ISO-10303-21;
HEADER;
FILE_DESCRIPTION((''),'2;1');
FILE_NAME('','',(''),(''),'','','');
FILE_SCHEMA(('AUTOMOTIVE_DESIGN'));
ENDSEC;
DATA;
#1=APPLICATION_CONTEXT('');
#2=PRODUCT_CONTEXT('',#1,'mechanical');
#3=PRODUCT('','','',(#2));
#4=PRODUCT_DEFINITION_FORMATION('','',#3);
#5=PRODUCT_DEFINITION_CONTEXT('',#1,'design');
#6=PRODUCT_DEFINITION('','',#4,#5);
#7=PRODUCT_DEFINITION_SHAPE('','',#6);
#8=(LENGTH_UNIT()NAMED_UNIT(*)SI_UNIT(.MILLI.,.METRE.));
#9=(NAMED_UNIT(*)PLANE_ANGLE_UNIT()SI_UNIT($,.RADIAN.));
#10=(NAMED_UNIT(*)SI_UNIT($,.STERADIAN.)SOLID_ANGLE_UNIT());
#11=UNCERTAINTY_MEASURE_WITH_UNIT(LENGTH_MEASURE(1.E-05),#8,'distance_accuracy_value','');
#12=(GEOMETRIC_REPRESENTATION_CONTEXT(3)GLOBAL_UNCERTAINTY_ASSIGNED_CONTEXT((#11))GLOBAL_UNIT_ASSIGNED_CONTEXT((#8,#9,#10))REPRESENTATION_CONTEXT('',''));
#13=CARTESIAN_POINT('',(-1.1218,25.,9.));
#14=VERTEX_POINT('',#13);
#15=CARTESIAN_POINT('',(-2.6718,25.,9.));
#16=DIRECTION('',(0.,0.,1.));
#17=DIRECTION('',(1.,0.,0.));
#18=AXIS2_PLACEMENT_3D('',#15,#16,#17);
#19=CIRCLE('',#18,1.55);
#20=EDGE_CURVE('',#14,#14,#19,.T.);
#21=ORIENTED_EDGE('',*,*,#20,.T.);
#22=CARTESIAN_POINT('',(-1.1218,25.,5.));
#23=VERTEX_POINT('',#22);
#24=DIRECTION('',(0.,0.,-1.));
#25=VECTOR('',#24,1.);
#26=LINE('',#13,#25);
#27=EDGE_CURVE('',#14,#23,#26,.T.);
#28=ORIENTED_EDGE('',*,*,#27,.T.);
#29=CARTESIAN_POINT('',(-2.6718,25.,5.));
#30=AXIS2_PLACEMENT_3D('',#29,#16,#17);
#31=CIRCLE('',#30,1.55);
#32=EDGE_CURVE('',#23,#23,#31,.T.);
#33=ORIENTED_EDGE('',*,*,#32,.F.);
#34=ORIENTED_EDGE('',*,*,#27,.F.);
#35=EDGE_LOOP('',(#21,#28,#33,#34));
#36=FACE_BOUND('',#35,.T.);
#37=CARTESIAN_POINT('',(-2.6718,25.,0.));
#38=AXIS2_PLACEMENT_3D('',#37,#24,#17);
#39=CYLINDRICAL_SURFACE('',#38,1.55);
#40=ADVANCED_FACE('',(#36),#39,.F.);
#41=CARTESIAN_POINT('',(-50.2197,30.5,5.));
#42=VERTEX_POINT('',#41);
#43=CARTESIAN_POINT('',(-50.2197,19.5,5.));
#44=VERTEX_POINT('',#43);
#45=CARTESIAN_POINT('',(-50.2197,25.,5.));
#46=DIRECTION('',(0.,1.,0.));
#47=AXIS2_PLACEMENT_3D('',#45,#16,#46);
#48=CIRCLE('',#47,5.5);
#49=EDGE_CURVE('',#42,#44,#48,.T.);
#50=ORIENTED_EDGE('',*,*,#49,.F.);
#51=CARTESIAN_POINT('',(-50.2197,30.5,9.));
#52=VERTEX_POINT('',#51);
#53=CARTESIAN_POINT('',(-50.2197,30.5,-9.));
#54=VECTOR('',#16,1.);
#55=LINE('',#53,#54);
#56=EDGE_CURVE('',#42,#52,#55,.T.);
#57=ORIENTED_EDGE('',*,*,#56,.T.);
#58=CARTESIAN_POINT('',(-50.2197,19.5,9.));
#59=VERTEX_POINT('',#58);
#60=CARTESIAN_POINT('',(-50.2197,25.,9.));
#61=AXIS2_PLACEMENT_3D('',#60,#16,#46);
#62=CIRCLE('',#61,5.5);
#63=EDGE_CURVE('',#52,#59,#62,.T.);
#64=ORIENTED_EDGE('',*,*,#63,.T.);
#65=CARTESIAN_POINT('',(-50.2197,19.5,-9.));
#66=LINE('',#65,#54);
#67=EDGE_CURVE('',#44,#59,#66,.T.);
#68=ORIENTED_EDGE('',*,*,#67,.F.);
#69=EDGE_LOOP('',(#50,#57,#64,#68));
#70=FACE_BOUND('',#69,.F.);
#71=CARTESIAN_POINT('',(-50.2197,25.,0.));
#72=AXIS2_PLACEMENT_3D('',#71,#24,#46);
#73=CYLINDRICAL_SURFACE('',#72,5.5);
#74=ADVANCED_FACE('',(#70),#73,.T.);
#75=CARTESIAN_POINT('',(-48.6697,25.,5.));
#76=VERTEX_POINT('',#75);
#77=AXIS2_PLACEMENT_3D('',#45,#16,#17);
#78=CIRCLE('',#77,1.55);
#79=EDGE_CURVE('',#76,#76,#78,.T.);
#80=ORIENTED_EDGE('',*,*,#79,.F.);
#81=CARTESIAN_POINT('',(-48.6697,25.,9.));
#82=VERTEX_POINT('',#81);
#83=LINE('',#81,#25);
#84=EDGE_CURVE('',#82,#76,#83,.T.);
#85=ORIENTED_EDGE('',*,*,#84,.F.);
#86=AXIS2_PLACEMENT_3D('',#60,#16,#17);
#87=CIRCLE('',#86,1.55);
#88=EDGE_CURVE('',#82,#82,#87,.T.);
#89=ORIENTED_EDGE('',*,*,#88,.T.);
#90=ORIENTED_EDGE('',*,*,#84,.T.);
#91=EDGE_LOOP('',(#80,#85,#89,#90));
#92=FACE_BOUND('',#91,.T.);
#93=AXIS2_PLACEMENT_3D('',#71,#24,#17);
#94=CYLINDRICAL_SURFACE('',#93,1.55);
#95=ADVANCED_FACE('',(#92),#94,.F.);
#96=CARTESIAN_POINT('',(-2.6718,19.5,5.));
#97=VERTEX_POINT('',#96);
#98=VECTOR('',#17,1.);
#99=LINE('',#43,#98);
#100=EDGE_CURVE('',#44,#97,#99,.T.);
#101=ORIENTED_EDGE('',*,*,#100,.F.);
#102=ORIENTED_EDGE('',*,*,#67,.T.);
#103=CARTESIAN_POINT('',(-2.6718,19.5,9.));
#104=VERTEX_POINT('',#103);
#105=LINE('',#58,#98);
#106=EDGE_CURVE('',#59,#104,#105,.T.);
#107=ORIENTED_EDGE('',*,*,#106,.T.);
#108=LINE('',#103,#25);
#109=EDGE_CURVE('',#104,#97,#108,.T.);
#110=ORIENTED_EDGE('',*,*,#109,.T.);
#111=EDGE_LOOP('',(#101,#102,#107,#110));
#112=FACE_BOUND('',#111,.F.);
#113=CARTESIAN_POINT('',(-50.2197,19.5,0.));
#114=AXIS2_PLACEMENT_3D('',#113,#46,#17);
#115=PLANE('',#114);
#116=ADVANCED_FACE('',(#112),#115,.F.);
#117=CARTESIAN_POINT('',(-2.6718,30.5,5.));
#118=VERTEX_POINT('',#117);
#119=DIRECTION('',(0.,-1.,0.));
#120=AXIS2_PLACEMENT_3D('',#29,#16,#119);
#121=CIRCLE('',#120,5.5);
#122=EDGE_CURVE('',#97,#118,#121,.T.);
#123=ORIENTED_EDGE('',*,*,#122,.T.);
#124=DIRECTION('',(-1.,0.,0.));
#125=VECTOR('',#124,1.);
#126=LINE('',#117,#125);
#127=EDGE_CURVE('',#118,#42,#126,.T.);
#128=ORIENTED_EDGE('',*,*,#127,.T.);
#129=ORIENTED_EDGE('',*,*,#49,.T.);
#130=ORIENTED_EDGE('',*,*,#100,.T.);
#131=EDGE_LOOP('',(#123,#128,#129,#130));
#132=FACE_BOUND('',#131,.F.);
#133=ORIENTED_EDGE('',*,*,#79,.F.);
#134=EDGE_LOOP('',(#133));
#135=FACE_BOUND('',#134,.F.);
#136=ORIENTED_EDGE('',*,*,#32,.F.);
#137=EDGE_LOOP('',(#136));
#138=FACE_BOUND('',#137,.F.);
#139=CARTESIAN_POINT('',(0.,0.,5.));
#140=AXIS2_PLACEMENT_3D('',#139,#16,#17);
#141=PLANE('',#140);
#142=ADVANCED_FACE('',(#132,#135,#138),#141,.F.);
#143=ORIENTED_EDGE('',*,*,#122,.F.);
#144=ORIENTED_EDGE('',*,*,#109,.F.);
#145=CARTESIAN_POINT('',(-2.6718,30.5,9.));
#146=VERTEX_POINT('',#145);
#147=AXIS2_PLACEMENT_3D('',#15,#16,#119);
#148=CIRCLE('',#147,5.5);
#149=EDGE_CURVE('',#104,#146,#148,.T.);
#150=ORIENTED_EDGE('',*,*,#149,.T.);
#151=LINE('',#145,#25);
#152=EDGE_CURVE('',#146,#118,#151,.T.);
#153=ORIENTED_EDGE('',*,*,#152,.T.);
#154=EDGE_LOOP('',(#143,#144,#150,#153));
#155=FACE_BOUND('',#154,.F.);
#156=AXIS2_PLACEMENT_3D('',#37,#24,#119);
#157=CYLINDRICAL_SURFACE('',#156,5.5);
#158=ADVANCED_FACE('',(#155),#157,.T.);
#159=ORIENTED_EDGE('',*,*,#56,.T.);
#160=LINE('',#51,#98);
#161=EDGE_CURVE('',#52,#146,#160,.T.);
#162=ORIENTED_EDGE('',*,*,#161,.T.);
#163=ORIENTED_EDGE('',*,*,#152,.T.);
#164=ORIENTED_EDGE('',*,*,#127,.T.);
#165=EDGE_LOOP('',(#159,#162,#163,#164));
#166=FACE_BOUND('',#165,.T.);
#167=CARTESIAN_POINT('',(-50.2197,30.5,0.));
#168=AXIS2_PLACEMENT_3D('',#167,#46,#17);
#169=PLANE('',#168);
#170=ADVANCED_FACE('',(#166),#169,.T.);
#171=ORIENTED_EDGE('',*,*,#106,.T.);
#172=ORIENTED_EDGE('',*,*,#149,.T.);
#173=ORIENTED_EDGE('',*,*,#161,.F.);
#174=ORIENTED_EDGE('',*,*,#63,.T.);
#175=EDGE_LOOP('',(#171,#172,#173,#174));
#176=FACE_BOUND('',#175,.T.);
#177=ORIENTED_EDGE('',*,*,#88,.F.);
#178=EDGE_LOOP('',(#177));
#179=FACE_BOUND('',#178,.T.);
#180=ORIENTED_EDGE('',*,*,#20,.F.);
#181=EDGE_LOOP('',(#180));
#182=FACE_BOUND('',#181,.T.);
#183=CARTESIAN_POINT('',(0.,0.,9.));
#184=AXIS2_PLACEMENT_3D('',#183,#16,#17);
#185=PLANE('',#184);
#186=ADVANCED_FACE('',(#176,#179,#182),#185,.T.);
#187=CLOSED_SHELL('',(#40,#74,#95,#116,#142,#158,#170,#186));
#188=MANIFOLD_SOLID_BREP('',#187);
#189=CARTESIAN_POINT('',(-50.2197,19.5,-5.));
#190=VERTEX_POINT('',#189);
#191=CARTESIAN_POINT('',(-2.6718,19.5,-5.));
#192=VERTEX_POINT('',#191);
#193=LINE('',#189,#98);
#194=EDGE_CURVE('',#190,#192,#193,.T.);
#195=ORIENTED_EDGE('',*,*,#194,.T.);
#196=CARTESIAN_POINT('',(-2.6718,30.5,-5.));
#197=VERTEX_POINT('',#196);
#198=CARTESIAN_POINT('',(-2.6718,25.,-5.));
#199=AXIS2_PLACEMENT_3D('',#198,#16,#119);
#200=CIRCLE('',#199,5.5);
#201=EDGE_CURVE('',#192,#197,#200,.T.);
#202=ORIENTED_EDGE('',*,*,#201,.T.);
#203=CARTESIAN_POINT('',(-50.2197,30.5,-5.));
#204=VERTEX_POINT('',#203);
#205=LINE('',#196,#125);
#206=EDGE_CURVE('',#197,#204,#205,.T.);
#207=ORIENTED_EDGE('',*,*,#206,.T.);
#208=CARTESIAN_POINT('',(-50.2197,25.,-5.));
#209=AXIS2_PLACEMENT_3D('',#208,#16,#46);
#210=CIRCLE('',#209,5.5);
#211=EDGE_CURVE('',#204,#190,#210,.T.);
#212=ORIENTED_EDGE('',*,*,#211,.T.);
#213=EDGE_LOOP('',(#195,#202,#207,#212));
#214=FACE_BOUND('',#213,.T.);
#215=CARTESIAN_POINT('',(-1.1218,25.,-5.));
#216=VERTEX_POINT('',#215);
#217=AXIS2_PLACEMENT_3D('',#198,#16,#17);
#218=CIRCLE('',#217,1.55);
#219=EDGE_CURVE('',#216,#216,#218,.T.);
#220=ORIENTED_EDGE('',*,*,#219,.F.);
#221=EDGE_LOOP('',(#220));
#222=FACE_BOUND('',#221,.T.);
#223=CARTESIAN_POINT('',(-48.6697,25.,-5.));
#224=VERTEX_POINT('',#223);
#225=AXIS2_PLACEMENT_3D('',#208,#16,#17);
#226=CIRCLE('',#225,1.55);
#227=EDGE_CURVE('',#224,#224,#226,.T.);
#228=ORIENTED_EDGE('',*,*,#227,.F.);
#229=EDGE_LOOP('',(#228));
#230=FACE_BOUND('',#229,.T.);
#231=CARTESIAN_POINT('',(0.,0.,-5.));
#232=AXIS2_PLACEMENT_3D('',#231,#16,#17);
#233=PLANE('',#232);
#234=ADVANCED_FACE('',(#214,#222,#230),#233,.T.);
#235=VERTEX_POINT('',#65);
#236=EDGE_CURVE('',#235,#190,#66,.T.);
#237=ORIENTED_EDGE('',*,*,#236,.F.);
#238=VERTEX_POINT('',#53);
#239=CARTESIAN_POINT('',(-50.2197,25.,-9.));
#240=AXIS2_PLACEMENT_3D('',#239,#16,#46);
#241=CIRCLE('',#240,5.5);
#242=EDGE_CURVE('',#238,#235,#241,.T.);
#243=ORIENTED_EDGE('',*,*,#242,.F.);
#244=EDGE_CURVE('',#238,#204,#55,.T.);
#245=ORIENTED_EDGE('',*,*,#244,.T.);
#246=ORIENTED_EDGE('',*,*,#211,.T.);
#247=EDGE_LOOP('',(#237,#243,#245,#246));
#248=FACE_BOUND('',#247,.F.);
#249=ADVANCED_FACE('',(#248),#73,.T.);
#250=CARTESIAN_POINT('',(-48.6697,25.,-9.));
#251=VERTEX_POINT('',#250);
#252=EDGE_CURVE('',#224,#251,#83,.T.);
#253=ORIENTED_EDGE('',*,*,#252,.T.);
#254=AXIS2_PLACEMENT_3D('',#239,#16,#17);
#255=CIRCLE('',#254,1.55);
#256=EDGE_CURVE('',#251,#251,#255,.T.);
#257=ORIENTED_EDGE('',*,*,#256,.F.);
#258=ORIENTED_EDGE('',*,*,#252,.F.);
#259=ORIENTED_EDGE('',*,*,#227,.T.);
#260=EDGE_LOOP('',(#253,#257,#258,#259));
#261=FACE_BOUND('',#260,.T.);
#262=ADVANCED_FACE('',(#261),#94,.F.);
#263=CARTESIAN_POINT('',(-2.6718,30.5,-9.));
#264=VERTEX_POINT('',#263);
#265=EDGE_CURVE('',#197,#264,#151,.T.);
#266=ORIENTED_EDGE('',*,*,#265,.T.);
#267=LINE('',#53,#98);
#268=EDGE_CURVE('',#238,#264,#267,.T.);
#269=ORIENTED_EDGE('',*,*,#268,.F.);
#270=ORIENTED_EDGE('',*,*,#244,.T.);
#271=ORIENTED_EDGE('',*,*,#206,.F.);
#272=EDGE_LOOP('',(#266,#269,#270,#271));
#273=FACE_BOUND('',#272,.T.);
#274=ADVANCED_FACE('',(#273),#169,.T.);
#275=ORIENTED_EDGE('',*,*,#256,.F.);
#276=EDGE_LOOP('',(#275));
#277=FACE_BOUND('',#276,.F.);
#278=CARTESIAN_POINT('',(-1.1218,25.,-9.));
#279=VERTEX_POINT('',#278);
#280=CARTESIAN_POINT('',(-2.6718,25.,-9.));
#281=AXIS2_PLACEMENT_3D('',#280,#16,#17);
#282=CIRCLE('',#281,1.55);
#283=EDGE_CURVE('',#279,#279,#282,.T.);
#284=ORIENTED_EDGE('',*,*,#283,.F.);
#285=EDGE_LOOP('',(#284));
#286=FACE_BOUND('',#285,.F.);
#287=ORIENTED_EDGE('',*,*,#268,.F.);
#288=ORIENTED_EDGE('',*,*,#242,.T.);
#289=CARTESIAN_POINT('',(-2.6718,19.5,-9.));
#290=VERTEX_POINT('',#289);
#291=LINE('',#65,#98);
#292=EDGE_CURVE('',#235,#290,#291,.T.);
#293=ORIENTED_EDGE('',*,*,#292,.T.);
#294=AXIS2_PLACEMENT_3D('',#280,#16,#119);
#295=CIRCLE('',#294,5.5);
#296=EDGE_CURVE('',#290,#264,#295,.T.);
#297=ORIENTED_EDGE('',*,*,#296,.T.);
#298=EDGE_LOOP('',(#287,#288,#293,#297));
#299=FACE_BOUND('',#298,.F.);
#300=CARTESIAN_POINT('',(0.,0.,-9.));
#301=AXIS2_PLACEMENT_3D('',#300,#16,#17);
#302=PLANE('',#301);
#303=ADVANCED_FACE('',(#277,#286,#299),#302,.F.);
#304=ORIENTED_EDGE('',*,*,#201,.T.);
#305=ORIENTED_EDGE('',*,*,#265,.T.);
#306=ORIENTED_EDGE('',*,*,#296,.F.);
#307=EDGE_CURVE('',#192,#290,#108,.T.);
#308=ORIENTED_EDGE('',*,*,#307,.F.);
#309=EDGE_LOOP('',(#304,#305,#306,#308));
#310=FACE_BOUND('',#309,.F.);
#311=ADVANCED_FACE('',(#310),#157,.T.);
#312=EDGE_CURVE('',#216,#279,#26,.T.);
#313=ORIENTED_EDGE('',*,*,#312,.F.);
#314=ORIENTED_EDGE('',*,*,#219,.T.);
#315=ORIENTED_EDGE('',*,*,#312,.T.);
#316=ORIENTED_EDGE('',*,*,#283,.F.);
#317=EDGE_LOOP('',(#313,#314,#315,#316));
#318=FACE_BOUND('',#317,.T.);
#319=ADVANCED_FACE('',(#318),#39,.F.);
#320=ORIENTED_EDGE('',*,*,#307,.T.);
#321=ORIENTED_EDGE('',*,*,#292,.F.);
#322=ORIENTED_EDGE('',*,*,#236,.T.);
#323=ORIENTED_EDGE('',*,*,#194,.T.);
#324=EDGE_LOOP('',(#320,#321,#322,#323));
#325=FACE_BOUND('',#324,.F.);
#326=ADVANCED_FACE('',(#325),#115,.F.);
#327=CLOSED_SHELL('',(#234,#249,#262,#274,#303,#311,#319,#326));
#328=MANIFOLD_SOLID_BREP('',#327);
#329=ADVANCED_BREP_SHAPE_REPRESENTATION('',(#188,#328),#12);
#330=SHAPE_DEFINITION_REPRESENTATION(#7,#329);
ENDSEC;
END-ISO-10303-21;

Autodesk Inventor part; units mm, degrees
ref_plane "YZ Plane" through (0, 0, 0) normal (1, 0, 0) x (0, 1, 0)
ref_plane "XZ Plane" through (0, 0, 0) normal (0, 1, 0) x (-1, 0, 0)
ref_plane "XY Plane" through (0, 0, 0) normal (0, 0, 1) x (1, 0, 0)
sketch "Sketch1" plane through (0, 0, 0) normal (0, 0, 1) x (1, 0, 0)
  line L0 (-50.2197, 25) -> (-2.6718, 25) construction
  circle A0 centre (-50.2197, 25) radius 1.55
  arc A1 (-50.2197, 19.5) -> (-50.2197, 30.5) centre (-50.2197, 25) ccw construction
  circle A2 centre (-2.6718, 25) radius 1.55
  arc A3 (-2.6718, 30.5) -> (-2.6718, 19.5) centre (-2.6718, 25) ccw construction
  line L1 (-50.2197, 30.5) -> (-2.6718, 30.5)
  line L2 (-50.2197, 19.5) -> (-2.6718, 19.5)
  arc A4 (-50.2197, 30.5) -> (-50.2197, 19.5) centre (-50.2197, 25) ccw
  arc A5 (-2.6718, 19.5) -> (-2.6718, 30.5) centre (-2.6718, 25) ccw
  point P0 (0, 0)
  dimension "d0" = 11
  dimension "d1" = 3.1
extrude "Extrusion1" add sketch "Sketch1" along normal mid plane 18
sketch "Sketch2" plane through (0, 0, 0) normal (0, 0, 1) x (1, 0, 0)
  circle A0 centre (-2.6718, 25) radius 1.55 projected
  circle A1 centre (-50.2197, 25) radius 1.55 projected
  line L0 (-2.6718, 30.5) -> (-50.2197, 30.5) projected
  arc A2 (-50.2197, 30.5) -> (-50.2197, 19.5) centre (-50.2197, 25) ccw projected
  line L1 (-50.2197, 19.5) -> (-2.6718, 19.5) projected
  arc A3 (-2.6718, 19.5) -> (-2.6718, 30.5) centre (-2.6718, 25) ccw projected
  point P0 (0, 0)
extrude "Extrusion2" cut sketch "Sketch2" along normal mid plane 10
properties part number "biela-dedo-2"
